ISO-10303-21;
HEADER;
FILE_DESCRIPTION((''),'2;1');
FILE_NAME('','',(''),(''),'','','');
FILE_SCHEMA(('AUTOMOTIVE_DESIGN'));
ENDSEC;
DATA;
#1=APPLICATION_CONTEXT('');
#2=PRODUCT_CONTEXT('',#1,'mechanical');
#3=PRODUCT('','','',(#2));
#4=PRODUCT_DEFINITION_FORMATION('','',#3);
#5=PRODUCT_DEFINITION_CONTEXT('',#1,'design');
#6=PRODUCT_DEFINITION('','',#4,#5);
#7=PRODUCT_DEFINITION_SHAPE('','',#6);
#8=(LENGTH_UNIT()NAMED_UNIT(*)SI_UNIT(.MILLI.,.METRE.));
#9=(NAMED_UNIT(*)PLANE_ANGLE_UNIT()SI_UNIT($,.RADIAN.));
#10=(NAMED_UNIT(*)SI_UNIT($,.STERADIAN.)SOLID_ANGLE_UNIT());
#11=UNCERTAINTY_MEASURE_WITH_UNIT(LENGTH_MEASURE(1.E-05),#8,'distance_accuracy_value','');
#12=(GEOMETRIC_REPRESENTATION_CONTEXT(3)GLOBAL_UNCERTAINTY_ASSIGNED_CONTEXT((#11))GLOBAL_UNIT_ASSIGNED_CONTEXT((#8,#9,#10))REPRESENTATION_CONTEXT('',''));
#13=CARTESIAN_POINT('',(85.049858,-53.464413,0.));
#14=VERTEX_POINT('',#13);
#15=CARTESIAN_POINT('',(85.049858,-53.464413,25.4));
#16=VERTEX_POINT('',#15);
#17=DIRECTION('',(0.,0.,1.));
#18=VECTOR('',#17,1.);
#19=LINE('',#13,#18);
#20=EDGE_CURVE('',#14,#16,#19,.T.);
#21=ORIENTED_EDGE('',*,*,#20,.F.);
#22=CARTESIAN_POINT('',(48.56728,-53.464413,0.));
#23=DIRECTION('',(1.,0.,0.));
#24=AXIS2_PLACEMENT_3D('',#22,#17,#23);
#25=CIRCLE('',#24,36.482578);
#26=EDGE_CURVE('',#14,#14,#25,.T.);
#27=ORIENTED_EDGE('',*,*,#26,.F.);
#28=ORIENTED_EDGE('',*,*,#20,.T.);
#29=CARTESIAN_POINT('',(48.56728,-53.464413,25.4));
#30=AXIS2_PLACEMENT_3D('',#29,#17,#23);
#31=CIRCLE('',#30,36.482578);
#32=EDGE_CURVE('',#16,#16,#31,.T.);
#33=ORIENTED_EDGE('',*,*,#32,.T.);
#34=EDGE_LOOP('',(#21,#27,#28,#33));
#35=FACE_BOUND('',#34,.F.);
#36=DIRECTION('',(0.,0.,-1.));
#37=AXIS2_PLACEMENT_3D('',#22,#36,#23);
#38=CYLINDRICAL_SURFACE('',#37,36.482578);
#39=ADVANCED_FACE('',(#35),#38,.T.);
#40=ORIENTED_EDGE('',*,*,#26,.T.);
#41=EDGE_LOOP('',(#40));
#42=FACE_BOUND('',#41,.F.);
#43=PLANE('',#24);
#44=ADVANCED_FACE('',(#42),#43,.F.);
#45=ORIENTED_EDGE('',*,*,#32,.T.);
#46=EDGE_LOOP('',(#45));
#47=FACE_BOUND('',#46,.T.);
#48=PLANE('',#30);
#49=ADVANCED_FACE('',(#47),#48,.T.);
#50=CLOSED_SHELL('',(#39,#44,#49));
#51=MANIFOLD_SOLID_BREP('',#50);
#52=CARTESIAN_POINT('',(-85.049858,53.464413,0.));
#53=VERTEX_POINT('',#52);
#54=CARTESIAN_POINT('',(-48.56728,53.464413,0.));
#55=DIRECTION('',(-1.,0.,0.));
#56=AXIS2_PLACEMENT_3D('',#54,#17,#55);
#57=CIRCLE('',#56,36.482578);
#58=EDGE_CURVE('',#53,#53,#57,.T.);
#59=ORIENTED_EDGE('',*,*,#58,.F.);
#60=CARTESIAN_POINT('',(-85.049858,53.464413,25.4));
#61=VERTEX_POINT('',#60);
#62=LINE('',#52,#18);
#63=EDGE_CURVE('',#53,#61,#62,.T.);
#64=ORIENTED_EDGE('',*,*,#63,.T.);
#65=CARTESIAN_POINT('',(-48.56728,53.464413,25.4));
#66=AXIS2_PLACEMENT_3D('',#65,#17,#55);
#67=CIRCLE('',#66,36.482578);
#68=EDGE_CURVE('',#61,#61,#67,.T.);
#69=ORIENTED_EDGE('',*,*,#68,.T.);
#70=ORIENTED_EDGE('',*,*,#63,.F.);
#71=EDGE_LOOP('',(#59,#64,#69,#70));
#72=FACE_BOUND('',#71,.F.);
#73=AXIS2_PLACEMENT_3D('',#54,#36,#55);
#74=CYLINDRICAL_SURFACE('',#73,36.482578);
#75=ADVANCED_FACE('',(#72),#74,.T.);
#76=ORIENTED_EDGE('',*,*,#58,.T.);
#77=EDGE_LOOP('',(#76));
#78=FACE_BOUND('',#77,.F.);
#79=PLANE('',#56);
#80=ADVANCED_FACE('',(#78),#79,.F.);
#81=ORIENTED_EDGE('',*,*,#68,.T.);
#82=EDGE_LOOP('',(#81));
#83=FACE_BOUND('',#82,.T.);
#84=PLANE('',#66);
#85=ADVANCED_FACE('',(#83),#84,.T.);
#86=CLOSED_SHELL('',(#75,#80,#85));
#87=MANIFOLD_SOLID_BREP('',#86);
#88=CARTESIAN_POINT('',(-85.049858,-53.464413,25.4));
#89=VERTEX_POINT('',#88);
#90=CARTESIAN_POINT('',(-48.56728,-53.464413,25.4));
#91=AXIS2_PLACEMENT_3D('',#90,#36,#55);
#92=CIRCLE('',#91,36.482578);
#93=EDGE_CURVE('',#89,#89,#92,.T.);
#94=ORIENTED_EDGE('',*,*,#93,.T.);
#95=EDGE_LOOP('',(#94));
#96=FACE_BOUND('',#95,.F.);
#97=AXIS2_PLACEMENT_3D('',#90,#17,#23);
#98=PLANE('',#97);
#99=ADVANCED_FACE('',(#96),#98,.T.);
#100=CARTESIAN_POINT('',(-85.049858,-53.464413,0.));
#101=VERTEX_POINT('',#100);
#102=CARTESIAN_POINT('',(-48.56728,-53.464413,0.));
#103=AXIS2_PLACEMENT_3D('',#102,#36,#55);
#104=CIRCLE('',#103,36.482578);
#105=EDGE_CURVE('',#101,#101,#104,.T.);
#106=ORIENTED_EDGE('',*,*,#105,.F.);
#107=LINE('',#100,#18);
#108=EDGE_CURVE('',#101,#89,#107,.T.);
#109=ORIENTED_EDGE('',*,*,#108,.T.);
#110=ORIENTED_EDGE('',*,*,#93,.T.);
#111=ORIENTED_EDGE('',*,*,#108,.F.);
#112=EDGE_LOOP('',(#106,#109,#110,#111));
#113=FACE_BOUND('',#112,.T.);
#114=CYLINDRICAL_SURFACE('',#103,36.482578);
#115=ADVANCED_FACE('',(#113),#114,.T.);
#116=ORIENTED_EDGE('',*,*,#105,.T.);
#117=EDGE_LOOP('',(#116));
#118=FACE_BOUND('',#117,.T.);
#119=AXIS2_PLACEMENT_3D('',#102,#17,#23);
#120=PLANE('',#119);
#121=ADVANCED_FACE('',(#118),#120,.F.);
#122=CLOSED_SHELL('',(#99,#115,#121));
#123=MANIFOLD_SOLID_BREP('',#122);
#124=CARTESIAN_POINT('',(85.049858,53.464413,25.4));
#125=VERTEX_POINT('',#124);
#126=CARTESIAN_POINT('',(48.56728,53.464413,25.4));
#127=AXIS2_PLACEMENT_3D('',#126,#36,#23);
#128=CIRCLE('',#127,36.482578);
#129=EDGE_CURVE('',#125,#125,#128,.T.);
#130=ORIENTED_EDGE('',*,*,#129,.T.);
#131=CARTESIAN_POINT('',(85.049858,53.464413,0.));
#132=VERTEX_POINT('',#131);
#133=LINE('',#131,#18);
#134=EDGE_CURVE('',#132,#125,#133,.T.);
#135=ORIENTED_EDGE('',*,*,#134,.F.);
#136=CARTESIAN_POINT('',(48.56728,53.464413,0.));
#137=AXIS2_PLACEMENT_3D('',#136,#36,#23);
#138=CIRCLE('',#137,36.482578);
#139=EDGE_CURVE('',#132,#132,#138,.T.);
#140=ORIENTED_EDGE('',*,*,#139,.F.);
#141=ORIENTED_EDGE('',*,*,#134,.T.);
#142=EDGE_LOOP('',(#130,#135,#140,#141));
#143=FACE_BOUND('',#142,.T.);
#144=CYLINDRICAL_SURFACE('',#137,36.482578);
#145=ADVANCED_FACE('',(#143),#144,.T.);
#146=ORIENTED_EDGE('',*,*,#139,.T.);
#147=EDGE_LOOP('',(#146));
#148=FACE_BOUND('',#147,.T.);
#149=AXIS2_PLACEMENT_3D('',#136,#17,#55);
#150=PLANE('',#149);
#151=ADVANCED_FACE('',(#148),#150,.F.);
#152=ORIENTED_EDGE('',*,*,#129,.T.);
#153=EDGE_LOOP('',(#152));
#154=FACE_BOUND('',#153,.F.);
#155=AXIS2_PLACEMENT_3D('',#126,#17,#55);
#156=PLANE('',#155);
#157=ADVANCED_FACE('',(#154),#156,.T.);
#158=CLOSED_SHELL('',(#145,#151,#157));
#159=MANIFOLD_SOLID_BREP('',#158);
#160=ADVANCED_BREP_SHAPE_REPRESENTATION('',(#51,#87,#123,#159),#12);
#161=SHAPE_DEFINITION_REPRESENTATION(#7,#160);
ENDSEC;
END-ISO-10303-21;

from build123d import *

# Parameters (mm, degrees)
F0_R     = 36.482578
F1_DEPTH = 25.4


with BuildPart() as f1:
    # F0 (on Top) → F1 (new body)
    with BuildSketch(Plane.XY):
        with Locations((48.56728, -53.464413)):
            Circle(F0_R)
    extrude(amount=F1_DEPTH)


with BuildPart() as f2_1:
    # F2: instance of F1
    add(f1.part.mirror(Plane.YZ))


with BuildPart() as f3_1:
    # F3: instance of F1
    add(f1.part.mirror(Plane.XZ))


with BuildPart() as f3_2:
    # F3: instance of F2_1
    add(f2_1.part.mirror(Plane.XZ))


solid = Compound([f1.part, f2_1.part, f3_1.part, f3_2.part])
